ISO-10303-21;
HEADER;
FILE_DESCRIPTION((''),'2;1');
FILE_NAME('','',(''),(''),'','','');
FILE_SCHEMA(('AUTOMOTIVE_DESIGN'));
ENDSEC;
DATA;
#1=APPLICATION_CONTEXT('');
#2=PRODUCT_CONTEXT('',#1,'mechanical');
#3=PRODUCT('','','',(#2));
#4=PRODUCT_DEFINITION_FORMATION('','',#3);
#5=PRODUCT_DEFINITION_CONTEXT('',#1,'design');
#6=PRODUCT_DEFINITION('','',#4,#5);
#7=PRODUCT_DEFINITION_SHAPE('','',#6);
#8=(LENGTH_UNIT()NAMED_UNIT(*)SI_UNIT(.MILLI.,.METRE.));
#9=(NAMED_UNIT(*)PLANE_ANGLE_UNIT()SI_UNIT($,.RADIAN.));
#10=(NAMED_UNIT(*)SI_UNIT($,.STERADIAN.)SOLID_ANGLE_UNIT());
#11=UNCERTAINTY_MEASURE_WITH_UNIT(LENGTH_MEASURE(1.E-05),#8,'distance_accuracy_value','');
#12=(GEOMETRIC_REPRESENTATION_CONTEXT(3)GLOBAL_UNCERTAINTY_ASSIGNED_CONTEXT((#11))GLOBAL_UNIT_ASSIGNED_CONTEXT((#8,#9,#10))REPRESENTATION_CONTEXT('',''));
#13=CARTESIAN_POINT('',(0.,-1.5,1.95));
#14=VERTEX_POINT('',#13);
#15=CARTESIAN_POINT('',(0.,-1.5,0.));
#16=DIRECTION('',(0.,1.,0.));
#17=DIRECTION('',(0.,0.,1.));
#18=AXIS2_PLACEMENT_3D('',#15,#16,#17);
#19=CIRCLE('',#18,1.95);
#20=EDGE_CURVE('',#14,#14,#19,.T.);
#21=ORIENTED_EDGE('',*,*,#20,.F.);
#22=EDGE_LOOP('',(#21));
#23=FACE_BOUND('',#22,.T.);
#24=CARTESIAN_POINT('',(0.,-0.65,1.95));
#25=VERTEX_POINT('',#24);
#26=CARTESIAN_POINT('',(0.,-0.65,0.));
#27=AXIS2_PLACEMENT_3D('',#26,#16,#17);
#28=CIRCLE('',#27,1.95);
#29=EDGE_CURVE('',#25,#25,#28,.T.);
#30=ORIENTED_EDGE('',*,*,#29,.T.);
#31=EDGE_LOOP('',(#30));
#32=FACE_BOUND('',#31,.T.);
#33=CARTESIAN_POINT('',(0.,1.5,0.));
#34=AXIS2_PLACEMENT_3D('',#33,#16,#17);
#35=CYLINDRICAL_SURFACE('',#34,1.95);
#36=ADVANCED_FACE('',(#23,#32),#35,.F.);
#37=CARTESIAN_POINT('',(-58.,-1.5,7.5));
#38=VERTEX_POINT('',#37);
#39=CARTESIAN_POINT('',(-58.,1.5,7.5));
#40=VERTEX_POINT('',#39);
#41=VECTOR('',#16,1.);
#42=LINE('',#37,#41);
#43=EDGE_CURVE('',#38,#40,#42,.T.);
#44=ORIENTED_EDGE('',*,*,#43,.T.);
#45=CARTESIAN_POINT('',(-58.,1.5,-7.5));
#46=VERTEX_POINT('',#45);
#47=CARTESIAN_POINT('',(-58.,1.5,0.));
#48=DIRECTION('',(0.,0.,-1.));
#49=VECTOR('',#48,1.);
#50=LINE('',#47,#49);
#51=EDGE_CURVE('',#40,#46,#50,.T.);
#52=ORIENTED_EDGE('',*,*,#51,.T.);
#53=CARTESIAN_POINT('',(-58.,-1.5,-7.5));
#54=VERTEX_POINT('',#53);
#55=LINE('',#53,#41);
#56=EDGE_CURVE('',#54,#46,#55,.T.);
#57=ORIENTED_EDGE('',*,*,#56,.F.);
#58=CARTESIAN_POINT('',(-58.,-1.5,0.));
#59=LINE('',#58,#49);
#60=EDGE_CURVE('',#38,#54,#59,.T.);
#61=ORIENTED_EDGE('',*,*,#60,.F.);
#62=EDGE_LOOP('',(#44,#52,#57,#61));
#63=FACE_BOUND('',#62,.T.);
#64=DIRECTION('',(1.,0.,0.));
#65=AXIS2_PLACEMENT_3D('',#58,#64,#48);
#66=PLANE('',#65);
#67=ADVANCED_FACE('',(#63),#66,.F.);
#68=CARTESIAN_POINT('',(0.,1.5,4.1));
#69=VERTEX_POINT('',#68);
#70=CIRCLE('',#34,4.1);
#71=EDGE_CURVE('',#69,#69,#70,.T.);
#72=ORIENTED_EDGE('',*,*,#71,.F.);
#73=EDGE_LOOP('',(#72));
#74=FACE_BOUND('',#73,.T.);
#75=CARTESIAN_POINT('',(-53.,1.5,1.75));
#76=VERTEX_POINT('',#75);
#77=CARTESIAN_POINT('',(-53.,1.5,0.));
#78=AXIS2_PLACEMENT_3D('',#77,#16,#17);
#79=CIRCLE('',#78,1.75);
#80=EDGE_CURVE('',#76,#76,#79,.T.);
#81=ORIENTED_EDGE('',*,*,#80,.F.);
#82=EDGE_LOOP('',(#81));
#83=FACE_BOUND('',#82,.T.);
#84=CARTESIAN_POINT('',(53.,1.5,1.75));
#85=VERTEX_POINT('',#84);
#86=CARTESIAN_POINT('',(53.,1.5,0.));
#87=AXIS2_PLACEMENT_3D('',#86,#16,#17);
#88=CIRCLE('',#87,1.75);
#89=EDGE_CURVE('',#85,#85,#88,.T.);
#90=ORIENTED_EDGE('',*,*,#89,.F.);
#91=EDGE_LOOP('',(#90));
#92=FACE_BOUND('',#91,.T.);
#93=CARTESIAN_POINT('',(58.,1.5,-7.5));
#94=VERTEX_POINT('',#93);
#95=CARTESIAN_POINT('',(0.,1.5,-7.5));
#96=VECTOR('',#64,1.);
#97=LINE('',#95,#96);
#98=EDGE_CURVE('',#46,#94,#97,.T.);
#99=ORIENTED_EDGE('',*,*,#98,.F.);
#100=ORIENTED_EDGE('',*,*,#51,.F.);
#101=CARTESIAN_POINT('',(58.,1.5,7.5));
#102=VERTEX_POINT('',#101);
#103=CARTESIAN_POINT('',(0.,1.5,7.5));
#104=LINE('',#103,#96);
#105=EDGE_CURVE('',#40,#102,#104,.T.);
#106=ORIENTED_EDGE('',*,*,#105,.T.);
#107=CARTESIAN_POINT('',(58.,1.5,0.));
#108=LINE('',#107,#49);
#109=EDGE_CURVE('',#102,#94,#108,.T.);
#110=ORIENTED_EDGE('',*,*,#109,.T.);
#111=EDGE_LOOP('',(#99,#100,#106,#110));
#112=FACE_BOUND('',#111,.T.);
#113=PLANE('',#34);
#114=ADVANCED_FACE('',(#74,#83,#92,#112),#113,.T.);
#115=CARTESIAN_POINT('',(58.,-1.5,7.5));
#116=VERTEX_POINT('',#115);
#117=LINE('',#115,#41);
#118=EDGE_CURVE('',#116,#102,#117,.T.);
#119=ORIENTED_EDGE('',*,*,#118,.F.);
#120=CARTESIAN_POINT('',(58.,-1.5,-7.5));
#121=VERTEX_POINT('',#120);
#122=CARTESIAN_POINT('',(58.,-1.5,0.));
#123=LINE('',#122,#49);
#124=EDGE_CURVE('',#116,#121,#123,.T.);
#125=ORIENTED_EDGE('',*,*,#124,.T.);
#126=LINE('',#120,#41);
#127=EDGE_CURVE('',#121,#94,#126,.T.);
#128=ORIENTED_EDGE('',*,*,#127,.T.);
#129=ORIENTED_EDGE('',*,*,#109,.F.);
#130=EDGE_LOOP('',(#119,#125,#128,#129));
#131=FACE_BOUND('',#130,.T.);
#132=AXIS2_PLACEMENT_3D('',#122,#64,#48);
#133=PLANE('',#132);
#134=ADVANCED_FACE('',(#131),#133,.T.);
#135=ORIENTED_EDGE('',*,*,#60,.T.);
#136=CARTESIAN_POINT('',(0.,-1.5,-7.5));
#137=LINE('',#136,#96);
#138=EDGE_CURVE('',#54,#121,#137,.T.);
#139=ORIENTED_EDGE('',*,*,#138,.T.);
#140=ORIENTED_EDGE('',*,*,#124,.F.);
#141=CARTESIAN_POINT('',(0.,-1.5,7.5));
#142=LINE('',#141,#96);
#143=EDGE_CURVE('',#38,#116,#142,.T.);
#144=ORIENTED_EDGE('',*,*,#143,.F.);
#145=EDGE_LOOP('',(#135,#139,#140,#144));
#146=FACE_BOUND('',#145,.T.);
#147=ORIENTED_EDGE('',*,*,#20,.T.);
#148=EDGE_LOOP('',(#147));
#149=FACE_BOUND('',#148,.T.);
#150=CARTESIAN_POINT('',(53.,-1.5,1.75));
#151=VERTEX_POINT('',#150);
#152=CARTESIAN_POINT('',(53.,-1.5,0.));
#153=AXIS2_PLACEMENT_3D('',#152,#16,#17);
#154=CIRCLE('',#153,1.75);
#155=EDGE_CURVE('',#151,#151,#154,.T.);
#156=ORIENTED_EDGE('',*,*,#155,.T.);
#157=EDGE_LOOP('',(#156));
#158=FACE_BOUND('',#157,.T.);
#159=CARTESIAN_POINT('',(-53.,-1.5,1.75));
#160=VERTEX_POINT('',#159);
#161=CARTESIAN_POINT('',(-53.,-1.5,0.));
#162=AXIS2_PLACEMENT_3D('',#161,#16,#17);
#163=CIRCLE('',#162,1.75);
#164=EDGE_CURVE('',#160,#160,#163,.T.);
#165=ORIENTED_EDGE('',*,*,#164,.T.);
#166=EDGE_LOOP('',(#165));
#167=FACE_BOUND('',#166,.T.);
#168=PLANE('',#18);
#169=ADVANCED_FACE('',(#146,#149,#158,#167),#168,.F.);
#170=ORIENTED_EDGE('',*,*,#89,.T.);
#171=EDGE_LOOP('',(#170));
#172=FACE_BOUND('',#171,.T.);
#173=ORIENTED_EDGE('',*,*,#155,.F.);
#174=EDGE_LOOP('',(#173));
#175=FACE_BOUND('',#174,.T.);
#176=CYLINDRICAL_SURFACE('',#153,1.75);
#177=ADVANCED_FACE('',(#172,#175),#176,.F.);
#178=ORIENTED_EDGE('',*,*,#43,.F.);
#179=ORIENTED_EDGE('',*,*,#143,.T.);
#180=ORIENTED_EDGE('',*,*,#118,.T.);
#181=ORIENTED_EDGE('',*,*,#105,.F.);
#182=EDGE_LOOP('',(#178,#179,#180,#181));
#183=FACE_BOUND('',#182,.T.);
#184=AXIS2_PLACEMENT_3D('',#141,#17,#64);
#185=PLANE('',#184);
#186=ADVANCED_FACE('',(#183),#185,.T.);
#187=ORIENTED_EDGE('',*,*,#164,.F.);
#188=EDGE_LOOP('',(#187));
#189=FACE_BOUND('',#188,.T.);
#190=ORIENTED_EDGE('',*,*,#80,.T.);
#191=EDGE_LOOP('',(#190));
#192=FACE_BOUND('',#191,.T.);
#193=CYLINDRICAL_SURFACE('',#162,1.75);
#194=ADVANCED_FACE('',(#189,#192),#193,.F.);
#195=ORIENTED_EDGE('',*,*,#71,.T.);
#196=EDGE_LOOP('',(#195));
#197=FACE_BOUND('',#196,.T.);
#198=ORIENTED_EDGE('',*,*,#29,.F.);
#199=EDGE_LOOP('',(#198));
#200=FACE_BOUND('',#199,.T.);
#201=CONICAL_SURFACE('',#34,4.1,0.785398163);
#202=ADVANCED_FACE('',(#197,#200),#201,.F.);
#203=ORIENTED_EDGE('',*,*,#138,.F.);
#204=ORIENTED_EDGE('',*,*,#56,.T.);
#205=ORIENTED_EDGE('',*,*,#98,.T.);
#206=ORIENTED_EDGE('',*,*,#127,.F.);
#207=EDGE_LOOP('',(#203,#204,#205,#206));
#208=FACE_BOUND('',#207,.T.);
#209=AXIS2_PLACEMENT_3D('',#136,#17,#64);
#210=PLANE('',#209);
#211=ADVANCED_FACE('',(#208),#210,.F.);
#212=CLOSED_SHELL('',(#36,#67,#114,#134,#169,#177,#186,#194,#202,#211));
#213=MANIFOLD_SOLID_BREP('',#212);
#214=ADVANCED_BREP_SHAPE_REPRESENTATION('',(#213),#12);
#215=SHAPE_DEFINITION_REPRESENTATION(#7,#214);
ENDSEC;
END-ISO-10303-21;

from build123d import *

# Parameters (mm, degrees)
EXTRUDE_1_DEPTH      = 1.5
EXTRUDE_1_DEPTH_BACK = 1.5
SKETCH_1_W           = 116
SKETCH_1_H           = 15
SKETCH_1_R           = 1.75


with BuildPart() as part:
    # Эскиз1 → Бобышка-Вытянуть1 (new, two sides: drawn at the far end of the back side and taken through both)
    with BuildSketch(Plane(origin=(0, 0, 0), x_dir=(1, 0, 0), z_dir=(0, 1, 0)).offset(-EXTRUDE_1_DEPTH_BACK)):
        Rectangle(SKETCH_1_W, SKETCH_1_H)
        with Locations((-53, 0)):
            Circle(SKETCH_1_R, mode=Mode.SUBTRACT)
        with BuildLine():
            ThreePointArc((1.75, 0), (0, -1.75), (-1.75, 0))
            ThreePointArc((-1.75, 0), (0, 1.75), (1.75, 0))
        make_face(mode=Mode.SUBTRACT)
        with BuildLine():
            ThreePointArc((54.75, 0), (53, -1.75), (51.25, 0))
            ThreePointArc((51.25, 0), (53, 1.75), (54.75, 0))
        make_face(mode=Mode.SUBTRACT)
    extrude(amount=EXTRUDE_1_DEPTH + EXTRUDE_1_DEPTH_BACK)

    # Эскиз2 → Зенковка для  винта с плоской головкой M3.51 (revolve, cut)
    with BuildSketch(Plane(origin=(0, 1.5, 0), x_dir=(0, 0, 1), z_dir=(1, 0, 0))):
        Polygon((0, 0), (0, 3), (1.95, 3), (1.95, 2.15), (4.1, 0), align=None)
    revolve(axis=Axis((0, 7.85, 0), (0, -1, 0)), mode=Mode.SUBTRACT)


solid = part.part
